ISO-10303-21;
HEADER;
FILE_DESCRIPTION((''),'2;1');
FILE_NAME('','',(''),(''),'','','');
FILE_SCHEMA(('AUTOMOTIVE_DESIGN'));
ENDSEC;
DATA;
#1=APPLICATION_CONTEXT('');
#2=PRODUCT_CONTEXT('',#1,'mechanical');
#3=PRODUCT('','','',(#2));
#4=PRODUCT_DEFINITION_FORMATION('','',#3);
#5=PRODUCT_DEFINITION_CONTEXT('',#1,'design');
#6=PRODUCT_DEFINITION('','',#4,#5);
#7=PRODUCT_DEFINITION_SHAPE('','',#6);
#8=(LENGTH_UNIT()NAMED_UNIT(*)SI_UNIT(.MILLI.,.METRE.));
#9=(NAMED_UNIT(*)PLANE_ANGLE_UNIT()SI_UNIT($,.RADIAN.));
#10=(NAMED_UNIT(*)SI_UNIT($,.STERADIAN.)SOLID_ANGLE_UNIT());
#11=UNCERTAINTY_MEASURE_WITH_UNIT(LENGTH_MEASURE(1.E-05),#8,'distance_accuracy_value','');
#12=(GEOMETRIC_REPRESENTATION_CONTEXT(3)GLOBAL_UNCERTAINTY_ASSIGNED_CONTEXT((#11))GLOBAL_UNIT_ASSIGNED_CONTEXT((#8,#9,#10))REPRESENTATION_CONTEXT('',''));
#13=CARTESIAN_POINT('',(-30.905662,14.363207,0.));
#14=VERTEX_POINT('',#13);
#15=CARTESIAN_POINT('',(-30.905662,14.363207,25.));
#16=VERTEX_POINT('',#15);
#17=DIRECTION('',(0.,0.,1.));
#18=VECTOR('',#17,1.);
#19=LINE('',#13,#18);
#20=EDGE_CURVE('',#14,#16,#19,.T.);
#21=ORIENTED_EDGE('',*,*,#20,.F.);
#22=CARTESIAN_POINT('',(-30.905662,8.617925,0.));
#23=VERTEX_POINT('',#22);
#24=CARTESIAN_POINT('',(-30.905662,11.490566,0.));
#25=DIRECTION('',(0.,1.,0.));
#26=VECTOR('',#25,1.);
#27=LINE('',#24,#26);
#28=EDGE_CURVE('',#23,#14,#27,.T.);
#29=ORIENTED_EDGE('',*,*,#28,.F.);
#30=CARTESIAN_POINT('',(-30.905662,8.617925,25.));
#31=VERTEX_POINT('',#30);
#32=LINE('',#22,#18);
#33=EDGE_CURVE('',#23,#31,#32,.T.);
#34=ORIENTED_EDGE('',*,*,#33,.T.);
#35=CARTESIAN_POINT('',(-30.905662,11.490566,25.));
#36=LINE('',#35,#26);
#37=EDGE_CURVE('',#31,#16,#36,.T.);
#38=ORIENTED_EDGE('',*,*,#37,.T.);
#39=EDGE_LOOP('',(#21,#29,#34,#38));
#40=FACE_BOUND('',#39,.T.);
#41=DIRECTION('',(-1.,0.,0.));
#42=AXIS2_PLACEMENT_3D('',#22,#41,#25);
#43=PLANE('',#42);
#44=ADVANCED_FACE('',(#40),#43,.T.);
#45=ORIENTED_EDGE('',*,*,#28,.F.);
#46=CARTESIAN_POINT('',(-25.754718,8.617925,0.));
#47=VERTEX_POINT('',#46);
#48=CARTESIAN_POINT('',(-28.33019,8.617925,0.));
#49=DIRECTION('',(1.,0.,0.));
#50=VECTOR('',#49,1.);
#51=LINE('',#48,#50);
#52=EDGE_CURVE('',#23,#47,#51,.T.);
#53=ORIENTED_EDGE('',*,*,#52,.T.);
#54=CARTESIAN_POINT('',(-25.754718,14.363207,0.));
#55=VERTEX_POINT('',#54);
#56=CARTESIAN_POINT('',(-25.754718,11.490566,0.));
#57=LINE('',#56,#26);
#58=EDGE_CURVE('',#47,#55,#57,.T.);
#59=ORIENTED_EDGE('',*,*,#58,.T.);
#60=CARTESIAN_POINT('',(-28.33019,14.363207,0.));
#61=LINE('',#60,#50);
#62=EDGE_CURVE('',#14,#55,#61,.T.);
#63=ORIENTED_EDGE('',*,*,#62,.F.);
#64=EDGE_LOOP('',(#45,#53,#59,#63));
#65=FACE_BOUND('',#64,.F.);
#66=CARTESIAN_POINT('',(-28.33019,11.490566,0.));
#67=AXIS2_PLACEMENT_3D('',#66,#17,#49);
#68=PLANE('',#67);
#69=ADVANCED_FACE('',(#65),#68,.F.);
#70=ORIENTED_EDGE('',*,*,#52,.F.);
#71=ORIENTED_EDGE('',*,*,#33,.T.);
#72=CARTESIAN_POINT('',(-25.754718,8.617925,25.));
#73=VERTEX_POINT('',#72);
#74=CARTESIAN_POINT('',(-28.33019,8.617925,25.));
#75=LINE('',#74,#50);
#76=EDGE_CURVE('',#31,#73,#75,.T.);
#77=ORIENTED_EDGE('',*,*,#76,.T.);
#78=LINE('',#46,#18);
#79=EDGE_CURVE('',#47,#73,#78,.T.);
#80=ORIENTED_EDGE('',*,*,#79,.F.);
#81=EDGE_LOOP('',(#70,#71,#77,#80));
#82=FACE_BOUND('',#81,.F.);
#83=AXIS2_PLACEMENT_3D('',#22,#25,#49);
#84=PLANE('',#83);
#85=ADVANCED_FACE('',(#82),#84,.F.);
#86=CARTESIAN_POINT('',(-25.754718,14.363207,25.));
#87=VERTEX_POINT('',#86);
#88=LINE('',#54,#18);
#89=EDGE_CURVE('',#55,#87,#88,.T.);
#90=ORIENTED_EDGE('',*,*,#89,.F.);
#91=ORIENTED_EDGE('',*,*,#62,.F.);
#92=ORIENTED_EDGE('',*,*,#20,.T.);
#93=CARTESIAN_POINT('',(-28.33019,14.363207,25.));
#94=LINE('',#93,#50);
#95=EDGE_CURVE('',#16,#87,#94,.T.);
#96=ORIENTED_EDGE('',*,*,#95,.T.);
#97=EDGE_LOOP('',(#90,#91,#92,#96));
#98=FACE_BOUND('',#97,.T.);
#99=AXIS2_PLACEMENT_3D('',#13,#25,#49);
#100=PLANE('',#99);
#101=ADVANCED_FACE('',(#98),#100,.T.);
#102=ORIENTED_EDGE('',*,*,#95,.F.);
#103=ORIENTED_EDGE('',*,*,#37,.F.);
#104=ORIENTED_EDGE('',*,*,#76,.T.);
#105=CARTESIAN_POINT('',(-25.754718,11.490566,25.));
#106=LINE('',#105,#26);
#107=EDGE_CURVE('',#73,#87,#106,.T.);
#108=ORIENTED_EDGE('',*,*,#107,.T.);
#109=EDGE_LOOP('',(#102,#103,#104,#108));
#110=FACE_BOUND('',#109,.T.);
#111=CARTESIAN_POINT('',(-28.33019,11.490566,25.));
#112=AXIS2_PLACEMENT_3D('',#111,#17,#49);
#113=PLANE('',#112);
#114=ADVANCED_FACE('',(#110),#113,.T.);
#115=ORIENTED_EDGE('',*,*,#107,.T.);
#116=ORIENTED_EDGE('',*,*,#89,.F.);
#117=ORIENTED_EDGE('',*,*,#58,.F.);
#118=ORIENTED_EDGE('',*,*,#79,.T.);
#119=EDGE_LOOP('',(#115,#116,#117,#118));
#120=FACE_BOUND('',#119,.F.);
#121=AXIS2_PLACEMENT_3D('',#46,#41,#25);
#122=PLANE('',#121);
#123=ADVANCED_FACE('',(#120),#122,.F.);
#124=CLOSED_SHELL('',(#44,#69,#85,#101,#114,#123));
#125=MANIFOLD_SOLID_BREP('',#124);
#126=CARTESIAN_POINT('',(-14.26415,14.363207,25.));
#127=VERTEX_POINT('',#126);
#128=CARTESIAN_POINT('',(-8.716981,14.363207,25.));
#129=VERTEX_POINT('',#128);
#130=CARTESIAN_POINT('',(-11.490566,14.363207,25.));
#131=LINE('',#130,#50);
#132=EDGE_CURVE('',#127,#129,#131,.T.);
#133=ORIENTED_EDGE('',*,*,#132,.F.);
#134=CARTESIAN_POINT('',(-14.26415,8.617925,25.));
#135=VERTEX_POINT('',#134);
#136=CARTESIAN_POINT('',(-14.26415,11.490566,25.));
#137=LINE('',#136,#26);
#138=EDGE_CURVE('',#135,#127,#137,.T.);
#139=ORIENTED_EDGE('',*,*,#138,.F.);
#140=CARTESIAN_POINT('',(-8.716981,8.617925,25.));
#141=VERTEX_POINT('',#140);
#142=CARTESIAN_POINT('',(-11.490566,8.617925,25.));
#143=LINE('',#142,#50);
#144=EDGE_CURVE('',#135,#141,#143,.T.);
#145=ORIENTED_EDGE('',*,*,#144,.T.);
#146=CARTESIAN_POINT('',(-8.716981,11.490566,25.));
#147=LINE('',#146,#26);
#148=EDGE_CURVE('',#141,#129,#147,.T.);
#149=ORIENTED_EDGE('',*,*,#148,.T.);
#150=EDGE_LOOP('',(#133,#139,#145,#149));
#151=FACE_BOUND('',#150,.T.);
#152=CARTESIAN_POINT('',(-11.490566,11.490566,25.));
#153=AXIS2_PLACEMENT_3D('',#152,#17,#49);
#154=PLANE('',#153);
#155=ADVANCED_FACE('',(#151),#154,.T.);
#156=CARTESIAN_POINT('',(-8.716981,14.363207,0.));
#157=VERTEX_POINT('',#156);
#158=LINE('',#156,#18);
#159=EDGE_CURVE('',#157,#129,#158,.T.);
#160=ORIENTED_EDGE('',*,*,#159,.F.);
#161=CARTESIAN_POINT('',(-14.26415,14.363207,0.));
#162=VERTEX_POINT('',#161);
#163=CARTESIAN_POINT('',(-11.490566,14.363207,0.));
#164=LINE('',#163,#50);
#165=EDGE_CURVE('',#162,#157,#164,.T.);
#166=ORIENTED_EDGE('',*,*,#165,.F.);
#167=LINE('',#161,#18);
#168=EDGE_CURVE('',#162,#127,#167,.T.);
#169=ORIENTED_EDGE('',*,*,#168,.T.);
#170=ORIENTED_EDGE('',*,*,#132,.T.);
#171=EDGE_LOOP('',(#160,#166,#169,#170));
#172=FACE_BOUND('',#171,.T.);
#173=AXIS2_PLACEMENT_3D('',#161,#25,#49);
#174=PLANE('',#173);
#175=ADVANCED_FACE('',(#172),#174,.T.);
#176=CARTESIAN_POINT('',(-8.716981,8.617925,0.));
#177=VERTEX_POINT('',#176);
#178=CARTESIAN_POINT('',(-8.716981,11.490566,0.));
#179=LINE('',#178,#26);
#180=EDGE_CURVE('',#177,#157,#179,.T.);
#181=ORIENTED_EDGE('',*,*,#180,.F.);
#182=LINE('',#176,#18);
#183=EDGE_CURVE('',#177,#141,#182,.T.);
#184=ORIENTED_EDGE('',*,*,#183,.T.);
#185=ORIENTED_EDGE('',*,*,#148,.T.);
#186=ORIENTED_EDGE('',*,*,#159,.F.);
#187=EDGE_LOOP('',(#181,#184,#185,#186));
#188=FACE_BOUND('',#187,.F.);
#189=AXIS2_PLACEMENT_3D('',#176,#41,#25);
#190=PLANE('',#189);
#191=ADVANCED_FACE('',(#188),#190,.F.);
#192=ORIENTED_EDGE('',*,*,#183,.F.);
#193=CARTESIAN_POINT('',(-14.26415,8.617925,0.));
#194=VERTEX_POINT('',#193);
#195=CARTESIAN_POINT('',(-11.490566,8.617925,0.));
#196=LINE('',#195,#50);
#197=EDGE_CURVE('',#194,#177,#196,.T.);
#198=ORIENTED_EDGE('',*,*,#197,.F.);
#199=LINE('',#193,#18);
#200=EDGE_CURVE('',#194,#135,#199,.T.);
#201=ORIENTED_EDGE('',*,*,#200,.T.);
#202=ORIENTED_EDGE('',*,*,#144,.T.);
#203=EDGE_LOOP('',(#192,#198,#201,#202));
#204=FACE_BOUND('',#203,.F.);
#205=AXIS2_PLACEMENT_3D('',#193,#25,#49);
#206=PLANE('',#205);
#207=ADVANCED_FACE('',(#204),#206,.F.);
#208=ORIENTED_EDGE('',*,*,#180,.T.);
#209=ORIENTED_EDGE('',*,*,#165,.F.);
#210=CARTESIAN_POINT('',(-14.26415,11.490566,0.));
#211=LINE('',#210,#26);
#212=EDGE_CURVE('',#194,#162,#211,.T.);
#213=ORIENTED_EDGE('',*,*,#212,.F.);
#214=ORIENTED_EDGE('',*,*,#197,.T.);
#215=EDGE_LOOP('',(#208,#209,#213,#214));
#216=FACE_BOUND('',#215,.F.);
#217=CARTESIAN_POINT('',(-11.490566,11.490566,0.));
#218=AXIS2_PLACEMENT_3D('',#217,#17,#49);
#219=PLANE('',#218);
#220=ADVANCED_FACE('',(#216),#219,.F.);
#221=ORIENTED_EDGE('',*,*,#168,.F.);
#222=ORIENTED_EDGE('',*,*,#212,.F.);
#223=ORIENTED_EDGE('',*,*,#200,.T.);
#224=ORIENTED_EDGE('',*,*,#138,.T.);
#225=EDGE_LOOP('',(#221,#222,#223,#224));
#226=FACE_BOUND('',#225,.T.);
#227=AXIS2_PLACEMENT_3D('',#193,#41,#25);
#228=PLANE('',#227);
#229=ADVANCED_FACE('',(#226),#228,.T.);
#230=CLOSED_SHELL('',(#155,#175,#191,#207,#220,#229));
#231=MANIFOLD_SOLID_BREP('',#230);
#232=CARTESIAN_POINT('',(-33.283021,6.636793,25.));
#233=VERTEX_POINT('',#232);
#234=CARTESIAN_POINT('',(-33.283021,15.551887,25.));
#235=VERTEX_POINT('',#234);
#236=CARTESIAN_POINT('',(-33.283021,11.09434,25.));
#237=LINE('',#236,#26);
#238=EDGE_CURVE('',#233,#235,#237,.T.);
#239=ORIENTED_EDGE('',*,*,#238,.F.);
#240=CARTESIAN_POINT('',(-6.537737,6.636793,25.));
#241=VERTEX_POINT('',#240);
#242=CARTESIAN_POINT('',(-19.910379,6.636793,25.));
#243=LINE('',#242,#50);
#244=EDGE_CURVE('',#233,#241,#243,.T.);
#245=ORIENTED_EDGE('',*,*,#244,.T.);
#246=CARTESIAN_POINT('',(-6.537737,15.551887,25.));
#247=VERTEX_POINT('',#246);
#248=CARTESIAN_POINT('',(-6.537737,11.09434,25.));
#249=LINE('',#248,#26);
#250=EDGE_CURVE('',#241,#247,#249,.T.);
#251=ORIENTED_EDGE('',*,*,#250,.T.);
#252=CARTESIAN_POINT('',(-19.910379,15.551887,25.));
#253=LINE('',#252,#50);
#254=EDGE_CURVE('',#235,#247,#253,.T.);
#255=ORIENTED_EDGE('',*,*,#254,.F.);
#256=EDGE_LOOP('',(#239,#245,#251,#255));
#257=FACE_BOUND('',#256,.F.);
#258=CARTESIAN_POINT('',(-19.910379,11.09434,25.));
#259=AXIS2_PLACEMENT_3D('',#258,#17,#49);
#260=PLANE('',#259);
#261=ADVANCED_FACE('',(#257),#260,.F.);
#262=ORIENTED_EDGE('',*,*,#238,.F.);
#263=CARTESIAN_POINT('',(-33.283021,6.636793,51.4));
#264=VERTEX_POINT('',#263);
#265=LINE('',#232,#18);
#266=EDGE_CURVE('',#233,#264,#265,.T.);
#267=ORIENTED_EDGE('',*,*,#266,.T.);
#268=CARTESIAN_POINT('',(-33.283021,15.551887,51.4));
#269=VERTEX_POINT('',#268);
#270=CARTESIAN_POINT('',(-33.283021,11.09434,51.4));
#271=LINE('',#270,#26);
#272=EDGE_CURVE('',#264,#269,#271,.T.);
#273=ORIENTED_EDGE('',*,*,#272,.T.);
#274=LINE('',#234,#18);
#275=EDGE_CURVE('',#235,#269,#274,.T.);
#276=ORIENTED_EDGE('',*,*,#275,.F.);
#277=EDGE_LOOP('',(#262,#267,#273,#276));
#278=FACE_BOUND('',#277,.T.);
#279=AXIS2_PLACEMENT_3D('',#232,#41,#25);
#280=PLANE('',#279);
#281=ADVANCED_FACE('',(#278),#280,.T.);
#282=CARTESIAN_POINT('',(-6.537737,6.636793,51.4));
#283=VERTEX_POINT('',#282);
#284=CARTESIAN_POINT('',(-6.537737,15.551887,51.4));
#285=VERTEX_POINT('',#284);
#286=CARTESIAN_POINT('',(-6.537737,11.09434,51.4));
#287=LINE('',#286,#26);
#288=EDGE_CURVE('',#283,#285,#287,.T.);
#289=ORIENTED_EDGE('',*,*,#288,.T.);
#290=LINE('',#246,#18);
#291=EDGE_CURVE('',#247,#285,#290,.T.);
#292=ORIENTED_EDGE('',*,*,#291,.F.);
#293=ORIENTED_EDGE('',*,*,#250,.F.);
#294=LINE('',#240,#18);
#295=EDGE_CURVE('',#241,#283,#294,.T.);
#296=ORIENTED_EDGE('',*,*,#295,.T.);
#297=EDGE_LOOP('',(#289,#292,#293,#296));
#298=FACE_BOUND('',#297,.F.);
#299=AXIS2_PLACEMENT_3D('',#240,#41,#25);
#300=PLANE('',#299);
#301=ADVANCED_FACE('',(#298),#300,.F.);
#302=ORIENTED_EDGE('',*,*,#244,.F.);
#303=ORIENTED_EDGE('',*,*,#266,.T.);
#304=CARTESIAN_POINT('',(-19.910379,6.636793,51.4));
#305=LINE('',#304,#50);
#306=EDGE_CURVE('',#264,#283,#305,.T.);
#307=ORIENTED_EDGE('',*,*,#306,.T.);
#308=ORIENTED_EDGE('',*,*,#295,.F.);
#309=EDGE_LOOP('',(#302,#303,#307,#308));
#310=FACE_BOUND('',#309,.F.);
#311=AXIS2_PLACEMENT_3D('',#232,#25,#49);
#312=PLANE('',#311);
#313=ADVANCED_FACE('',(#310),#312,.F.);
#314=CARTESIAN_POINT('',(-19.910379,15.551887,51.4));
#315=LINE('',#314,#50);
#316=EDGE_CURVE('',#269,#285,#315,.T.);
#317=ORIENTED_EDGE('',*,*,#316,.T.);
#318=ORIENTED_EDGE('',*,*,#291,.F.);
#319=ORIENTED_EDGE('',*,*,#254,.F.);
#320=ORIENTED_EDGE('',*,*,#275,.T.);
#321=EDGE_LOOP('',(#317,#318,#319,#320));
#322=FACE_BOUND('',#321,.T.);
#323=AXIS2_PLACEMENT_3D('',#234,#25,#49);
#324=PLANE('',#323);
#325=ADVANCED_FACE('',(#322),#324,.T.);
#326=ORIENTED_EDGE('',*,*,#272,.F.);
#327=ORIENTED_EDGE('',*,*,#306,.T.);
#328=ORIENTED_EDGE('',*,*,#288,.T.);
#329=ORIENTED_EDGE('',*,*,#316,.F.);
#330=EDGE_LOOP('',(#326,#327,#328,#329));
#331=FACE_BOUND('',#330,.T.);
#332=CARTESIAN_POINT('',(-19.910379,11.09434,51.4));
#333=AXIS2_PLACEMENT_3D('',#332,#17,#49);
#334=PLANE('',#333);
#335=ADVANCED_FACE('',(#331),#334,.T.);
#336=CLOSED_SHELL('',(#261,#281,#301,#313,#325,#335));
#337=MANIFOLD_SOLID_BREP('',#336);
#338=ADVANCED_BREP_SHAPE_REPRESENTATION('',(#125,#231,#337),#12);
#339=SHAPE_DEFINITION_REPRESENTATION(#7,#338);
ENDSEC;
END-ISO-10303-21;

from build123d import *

# Parameters (mm, degrees)
F0_W     = 5.150944
F0_H     = 5.745283
F0_W_2   = 5.547169
F1_DEPTH = 25
F2_W     = 26.745285
F2_H     = 8.915094
F3_DEPTH = 26.4


with BuildPart() as f1:
    # F0 (on Top) → F1 (new body)
    with BuildSketch(Plane.XY):
        with Locations((-28.33019, 11.490566)):
            Rectangle(F0_W, F0_H)
        with Locations((-11.490566, 11.490566)):
            Rectangle(F0_W_2, F0_H)
    extrude(amount=F1_DEPTH)


with BuildPart() as f3:
    # F2 (on face) → F3 (new body)
    with BuildSketch(Plane.XY.offset(25)):
        with Locations((-19.910379, 11.09434)):
            Rectangle(F2_W, F2_H)
    extrude(amount=F3_DEPTH)


solid = Compound([f1.part, f3.part])
